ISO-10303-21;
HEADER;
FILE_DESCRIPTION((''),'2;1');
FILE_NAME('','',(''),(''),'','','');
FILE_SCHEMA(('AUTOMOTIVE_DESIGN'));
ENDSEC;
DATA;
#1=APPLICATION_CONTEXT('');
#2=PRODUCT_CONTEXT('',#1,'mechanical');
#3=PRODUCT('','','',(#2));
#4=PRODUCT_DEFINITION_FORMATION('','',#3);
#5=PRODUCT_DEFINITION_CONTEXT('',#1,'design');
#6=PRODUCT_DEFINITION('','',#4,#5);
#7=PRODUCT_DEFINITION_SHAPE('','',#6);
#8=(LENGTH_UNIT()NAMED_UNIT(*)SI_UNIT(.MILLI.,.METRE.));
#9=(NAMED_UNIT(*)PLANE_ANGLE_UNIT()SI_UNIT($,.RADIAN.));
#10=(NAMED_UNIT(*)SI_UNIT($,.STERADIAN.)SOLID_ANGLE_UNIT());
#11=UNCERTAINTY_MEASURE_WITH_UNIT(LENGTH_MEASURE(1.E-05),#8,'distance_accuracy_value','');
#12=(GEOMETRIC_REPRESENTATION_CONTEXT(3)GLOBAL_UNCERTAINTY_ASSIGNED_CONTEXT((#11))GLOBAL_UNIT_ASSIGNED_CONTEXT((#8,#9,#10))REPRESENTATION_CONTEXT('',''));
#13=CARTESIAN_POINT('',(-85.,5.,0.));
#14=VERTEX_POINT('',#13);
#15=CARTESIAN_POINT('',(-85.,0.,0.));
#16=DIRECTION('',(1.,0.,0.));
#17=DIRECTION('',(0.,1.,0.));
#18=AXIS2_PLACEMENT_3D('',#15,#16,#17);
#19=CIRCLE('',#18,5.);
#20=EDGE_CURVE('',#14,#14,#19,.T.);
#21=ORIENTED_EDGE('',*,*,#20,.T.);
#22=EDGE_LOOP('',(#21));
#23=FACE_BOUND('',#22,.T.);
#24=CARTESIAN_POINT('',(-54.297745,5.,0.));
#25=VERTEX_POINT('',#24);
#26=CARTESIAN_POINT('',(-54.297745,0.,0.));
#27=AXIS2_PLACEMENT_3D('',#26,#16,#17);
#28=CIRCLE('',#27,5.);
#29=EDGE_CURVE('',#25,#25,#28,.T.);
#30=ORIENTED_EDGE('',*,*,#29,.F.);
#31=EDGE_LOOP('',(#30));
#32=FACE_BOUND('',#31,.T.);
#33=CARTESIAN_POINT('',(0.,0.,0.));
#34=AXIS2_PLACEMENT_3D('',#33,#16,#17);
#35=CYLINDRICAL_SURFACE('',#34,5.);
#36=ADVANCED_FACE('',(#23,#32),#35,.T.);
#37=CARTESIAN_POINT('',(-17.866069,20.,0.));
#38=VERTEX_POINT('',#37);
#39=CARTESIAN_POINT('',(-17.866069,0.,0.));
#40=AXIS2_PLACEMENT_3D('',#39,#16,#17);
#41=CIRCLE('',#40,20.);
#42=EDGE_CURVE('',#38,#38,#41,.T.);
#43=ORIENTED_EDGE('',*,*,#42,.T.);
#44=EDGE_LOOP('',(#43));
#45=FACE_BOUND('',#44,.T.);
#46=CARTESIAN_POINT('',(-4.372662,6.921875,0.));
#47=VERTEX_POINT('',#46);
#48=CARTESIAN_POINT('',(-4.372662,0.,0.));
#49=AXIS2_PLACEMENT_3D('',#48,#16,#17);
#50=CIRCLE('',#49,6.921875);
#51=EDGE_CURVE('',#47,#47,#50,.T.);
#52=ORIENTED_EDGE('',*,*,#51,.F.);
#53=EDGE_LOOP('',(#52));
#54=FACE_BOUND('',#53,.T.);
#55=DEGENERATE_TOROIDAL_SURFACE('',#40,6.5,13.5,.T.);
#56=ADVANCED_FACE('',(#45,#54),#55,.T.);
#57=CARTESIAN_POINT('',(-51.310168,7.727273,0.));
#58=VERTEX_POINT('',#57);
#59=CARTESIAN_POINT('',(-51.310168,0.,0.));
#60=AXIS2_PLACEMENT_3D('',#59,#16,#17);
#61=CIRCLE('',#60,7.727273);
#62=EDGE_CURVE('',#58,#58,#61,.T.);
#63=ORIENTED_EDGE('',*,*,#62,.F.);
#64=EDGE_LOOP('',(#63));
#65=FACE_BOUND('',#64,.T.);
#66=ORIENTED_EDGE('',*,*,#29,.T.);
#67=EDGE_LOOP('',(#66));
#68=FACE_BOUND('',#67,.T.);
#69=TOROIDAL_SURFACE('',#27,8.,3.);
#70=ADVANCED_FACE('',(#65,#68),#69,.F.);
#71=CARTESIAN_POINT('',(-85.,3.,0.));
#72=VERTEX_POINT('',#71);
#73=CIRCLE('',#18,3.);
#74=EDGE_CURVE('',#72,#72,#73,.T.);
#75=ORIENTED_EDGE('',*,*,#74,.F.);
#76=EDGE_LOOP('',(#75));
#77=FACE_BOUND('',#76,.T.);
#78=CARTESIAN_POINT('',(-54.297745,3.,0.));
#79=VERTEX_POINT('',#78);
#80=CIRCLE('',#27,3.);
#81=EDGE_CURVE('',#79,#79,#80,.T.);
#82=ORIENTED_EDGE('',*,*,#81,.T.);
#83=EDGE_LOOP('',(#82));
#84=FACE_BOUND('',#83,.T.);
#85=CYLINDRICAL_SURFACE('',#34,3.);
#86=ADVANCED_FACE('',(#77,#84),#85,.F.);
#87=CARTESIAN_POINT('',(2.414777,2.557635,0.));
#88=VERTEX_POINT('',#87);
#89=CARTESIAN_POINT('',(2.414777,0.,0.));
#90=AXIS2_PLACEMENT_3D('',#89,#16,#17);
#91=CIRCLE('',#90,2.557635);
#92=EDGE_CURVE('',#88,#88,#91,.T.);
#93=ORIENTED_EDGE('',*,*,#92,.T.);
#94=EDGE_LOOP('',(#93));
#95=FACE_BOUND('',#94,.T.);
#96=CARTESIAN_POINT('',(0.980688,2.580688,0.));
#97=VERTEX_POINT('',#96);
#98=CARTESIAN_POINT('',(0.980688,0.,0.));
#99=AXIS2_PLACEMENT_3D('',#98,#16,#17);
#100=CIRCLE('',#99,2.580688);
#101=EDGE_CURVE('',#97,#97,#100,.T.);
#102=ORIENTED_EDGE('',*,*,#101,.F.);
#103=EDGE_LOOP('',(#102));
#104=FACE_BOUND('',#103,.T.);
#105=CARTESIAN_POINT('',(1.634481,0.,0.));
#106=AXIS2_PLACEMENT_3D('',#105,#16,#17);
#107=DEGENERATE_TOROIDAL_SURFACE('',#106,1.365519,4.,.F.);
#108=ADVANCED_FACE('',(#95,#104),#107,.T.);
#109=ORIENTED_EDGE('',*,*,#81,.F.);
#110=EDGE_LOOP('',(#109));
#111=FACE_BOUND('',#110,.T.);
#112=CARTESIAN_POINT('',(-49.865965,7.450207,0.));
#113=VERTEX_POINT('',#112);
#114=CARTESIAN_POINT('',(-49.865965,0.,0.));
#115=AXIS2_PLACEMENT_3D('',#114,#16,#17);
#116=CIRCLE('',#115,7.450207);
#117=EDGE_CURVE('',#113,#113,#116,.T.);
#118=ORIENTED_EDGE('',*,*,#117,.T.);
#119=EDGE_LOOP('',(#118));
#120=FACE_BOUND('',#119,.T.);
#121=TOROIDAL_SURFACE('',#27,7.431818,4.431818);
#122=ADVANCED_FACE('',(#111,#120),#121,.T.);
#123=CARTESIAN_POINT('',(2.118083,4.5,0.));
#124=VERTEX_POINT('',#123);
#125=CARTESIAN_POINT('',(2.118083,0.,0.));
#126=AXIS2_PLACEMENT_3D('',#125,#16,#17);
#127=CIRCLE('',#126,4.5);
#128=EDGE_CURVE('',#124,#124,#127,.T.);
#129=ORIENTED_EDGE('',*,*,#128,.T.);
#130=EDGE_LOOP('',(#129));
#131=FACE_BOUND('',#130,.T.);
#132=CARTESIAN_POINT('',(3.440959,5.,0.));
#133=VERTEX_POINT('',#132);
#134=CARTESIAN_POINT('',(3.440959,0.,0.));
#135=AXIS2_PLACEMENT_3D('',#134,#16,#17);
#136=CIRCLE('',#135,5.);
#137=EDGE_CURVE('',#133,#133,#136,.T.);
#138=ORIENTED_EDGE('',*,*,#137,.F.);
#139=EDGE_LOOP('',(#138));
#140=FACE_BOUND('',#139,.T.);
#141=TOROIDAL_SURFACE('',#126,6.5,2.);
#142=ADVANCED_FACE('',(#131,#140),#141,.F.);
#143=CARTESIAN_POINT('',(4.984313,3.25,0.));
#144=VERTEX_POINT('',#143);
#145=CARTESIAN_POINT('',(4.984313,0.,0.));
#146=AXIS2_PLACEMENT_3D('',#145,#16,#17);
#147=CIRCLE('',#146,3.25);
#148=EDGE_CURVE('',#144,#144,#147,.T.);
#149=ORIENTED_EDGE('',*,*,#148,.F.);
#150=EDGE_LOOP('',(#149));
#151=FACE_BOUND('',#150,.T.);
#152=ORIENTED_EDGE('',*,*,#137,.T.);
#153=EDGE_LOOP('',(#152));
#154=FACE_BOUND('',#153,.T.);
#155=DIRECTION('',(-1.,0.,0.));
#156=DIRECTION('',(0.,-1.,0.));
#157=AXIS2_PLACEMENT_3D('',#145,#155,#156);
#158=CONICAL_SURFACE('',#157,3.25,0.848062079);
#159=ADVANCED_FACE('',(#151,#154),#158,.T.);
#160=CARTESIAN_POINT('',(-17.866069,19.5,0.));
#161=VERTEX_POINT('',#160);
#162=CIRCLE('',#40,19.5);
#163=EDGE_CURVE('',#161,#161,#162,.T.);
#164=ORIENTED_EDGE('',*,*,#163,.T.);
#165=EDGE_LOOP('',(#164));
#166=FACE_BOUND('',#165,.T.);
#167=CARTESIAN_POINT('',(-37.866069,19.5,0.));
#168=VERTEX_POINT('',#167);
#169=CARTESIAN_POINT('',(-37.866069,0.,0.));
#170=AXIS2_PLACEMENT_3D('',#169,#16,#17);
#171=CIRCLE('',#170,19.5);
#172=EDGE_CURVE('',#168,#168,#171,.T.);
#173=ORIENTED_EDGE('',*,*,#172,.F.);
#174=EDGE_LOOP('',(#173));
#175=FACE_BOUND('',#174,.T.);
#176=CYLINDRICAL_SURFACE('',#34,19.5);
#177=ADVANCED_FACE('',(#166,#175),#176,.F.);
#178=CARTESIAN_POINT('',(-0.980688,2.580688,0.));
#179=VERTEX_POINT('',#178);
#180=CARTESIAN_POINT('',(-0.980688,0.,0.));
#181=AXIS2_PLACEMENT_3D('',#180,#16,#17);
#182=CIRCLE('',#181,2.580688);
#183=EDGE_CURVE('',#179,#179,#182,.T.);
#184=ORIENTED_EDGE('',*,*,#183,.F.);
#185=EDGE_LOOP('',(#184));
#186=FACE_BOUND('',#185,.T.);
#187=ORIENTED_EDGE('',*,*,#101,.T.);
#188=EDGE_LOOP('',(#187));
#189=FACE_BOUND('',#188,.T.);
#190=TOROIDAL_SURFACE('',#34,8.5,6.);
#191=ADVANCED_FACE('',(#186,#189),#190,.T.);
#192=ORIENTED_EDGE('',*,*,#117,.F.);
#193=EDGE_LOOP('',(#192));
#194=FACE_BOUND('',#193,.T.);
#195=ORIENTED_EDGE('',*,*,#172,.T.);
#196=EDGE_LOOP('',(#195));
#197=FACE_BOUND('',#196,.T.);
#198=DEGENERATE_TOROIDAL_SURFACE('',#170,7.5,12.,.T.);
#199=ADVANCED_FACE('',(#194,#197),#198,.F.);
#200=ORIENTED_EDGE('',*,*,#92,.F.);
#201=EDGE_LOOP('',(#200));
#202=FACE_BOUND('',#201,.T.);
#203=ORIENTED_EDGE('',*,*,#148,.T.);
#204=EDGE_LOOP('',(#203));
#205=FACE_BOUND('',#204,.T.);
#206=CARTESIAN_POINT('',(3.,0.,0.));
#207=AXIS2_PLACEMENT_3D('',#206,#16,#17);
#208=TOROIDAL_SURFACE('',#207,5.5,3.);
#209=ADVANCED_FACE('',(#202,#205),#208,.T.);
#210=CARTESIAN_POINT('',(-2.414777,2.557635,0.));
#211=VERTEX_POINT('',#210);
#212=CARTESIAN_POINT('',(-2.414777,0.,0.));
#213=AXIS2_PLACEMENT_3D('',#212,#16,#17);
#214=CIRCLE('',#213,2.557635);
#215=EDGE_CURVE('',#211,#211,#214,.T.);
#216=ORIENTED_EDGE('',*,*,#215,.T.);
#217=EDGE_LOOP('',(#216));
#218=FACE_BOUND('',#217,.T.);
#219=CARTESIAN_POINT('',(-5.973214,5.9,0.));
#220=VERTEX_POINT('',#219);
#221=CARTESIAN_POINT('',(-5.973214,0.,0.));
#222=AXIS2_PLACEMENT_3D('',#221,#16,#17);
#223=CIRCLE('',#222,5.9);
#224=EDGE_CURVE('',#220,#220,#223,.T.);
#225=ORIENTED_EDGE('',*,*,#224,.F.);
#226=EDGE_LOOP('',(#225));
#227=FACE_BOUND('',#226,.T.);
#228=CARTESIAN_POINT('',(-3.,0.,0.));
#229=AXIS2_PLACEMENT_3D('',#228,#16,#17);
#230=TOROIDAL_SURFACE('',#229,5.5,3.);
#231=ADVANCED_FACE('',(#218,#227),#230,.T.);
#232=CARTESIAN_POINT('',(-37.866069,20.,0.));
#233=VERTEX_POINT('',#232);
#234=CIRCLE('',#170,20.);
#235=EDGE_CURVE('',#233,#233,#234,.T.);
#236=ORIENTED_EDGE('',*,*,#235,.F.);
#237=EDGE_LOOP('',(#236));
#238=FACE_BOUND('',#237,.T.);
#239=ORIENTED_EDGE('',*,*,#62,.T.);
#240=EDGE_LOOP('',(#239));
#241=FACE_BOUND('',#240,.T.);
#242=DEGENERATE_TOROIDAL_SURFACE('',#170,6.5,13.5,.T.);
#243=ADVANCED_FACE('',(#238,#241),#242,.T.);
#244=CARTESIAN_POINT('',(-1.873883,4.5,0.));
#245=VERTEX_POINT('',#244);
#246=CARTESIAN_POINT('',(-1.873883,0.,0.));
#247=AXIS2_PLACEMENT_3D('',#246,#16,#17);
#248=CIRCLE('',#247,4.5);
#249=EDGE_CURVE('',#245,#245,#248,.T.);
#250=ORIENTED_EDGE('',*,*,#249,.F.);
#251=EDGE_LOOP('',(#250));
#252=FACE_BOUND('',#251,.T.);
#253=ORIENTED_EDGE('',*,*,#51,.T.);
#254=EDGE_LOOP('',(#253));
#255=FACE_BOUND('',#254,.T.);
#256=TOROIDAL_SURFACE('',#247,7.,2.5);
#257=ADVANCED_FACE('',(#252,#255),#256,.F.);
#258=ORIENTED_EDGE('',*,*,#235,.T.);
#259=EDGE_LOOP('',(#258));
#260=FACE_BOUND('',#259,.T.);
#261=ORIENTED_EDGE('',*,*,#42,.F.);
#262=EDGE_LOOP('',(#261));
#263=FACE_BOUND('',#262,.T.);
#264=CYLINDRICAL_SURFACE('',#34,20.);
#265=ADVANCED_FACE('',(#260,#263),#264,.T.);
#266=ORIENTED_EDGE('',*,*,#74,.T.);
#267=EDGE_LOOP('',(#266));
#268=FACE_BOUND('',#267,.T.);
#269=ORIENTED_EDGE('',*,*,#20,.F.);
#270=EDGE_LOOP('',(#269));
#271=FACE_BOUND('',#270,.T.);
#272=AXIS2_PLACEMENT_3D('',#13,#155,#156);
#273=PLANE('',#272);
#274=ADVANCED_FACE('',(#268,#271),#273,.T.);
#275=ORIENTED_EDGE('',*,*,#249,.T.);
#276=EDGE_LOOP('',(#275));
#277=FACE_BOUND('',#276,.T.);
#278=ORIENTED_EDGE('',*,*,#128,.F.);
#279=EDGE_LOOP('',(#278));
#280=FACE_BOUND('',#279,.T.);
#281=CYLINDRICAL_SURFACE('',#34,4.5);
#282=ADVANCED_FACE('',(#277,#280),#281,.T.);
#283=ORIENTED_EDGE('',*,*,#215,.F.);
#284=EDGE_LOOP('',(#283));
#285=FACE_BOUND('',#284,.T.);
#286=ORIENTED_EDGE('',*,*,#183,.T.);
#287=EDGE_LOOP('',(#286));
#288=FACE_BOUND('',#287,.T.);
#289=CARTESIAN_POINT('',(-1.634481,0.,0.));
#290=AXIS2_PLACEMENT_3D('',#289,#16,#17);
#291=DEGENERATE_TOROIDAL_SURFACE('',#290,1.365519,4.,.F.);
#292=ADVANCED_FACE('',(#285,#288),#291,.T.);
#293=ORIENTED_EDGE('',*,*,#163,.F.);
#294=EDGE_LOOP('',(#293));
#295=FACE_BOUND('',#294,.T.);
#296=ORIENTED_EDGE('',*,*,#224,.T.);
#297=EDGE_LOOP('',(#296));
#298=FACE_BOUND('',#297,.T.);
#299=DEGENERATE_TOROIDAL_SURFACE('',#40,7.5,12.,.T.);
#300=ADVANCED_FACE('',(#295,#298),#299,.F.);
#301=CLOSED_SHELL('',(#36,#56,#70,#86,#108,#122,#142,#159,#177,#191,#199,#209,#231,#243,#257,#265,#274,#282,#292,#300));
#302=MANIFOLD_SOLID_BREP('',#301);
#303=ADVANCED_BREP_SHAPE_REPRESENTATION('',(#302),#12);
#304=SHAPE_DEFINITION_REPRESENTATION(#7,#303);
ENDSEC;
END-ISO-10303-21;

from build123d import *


with BuildPart() as part:
    # Sketch1 → Revolve1 (revolve)
    with BuildSketch(Plane.XY):
        with BuildLine():
            Line((-17.866068747, 19.5), (-37.866068747, 19.5))
            ThreePointArc((-37.866068747, 19.5), (-46.368936216, 15.967658756), (-49.865965443, 7.450207469))
            ThreePointArc((-49.865965443, 7.450207469), (-51.157481919, 4.304557846), (-54.297745472, 3))
            Line((-54.297745472, 3), (-85, 3))
            Line((-85, 3), (-85, 5))
            Line((-85, 5), (-54.297745472, 5))
            ThreePointArc((-54.297745472, 5), (-52.275145885, 5.784353162), (-51.310167886, 7.727272727))
            ThreePointArc((-51.310167886, 7.727272727), (-46.967766891, 16.470410769), (-37.866068747, 20))
            Line((-37.866068747, 20), (-17.866068747, 20))
            ThreePointArc((-17.866068747, 20), (-8.470466385, 16.193949466), (-4.372662154, 6.921875))
            ThreePointArc((-4.372662154, 6.921875), (-3.613809519, 5.204824173), (-1.873883156, 4.5))
            Line((-1.873883156, 4.5), (2.118082896, 4.5))
            ThreePointArc((2.118082896, 4.5), (2.825189677, 4.629171307), (3.440958552, 5))
            Line((3.440958552, 5), (4.984313483, 3.25))
            ThreePointArc((4.984313483, 3.25), (3.780516691, 2.603313325), (2.414777396, 2.557634539))
            ThreePointArc((2.414777396, 2.557634539), (1.698774612, 2.633963843), (0.980688355, 2.580688355))
            ThreePointArc((0.980688355, 2.580688355), (0, 2.5), (-0.980688355, 2.580688355))
            ThreePointArc((-0.980688355, 2.580688355), (-1.698774612, 2.633963843), (-2.414777396, 2.557634539))
            ThreePointArc((-2.414777396, 2.557634539), (-5.053893168, 3.313330648), (-5.973213749, 5.9))
            ThreePointArc((-5.973213749, 5.9), (-8.832796915, 15.399367063), (-17.866068747, 19.5))
        make_face()
    revolve(axis=Axis((0, 0, 0), (-1, 0, 0)))


solid = part.part
